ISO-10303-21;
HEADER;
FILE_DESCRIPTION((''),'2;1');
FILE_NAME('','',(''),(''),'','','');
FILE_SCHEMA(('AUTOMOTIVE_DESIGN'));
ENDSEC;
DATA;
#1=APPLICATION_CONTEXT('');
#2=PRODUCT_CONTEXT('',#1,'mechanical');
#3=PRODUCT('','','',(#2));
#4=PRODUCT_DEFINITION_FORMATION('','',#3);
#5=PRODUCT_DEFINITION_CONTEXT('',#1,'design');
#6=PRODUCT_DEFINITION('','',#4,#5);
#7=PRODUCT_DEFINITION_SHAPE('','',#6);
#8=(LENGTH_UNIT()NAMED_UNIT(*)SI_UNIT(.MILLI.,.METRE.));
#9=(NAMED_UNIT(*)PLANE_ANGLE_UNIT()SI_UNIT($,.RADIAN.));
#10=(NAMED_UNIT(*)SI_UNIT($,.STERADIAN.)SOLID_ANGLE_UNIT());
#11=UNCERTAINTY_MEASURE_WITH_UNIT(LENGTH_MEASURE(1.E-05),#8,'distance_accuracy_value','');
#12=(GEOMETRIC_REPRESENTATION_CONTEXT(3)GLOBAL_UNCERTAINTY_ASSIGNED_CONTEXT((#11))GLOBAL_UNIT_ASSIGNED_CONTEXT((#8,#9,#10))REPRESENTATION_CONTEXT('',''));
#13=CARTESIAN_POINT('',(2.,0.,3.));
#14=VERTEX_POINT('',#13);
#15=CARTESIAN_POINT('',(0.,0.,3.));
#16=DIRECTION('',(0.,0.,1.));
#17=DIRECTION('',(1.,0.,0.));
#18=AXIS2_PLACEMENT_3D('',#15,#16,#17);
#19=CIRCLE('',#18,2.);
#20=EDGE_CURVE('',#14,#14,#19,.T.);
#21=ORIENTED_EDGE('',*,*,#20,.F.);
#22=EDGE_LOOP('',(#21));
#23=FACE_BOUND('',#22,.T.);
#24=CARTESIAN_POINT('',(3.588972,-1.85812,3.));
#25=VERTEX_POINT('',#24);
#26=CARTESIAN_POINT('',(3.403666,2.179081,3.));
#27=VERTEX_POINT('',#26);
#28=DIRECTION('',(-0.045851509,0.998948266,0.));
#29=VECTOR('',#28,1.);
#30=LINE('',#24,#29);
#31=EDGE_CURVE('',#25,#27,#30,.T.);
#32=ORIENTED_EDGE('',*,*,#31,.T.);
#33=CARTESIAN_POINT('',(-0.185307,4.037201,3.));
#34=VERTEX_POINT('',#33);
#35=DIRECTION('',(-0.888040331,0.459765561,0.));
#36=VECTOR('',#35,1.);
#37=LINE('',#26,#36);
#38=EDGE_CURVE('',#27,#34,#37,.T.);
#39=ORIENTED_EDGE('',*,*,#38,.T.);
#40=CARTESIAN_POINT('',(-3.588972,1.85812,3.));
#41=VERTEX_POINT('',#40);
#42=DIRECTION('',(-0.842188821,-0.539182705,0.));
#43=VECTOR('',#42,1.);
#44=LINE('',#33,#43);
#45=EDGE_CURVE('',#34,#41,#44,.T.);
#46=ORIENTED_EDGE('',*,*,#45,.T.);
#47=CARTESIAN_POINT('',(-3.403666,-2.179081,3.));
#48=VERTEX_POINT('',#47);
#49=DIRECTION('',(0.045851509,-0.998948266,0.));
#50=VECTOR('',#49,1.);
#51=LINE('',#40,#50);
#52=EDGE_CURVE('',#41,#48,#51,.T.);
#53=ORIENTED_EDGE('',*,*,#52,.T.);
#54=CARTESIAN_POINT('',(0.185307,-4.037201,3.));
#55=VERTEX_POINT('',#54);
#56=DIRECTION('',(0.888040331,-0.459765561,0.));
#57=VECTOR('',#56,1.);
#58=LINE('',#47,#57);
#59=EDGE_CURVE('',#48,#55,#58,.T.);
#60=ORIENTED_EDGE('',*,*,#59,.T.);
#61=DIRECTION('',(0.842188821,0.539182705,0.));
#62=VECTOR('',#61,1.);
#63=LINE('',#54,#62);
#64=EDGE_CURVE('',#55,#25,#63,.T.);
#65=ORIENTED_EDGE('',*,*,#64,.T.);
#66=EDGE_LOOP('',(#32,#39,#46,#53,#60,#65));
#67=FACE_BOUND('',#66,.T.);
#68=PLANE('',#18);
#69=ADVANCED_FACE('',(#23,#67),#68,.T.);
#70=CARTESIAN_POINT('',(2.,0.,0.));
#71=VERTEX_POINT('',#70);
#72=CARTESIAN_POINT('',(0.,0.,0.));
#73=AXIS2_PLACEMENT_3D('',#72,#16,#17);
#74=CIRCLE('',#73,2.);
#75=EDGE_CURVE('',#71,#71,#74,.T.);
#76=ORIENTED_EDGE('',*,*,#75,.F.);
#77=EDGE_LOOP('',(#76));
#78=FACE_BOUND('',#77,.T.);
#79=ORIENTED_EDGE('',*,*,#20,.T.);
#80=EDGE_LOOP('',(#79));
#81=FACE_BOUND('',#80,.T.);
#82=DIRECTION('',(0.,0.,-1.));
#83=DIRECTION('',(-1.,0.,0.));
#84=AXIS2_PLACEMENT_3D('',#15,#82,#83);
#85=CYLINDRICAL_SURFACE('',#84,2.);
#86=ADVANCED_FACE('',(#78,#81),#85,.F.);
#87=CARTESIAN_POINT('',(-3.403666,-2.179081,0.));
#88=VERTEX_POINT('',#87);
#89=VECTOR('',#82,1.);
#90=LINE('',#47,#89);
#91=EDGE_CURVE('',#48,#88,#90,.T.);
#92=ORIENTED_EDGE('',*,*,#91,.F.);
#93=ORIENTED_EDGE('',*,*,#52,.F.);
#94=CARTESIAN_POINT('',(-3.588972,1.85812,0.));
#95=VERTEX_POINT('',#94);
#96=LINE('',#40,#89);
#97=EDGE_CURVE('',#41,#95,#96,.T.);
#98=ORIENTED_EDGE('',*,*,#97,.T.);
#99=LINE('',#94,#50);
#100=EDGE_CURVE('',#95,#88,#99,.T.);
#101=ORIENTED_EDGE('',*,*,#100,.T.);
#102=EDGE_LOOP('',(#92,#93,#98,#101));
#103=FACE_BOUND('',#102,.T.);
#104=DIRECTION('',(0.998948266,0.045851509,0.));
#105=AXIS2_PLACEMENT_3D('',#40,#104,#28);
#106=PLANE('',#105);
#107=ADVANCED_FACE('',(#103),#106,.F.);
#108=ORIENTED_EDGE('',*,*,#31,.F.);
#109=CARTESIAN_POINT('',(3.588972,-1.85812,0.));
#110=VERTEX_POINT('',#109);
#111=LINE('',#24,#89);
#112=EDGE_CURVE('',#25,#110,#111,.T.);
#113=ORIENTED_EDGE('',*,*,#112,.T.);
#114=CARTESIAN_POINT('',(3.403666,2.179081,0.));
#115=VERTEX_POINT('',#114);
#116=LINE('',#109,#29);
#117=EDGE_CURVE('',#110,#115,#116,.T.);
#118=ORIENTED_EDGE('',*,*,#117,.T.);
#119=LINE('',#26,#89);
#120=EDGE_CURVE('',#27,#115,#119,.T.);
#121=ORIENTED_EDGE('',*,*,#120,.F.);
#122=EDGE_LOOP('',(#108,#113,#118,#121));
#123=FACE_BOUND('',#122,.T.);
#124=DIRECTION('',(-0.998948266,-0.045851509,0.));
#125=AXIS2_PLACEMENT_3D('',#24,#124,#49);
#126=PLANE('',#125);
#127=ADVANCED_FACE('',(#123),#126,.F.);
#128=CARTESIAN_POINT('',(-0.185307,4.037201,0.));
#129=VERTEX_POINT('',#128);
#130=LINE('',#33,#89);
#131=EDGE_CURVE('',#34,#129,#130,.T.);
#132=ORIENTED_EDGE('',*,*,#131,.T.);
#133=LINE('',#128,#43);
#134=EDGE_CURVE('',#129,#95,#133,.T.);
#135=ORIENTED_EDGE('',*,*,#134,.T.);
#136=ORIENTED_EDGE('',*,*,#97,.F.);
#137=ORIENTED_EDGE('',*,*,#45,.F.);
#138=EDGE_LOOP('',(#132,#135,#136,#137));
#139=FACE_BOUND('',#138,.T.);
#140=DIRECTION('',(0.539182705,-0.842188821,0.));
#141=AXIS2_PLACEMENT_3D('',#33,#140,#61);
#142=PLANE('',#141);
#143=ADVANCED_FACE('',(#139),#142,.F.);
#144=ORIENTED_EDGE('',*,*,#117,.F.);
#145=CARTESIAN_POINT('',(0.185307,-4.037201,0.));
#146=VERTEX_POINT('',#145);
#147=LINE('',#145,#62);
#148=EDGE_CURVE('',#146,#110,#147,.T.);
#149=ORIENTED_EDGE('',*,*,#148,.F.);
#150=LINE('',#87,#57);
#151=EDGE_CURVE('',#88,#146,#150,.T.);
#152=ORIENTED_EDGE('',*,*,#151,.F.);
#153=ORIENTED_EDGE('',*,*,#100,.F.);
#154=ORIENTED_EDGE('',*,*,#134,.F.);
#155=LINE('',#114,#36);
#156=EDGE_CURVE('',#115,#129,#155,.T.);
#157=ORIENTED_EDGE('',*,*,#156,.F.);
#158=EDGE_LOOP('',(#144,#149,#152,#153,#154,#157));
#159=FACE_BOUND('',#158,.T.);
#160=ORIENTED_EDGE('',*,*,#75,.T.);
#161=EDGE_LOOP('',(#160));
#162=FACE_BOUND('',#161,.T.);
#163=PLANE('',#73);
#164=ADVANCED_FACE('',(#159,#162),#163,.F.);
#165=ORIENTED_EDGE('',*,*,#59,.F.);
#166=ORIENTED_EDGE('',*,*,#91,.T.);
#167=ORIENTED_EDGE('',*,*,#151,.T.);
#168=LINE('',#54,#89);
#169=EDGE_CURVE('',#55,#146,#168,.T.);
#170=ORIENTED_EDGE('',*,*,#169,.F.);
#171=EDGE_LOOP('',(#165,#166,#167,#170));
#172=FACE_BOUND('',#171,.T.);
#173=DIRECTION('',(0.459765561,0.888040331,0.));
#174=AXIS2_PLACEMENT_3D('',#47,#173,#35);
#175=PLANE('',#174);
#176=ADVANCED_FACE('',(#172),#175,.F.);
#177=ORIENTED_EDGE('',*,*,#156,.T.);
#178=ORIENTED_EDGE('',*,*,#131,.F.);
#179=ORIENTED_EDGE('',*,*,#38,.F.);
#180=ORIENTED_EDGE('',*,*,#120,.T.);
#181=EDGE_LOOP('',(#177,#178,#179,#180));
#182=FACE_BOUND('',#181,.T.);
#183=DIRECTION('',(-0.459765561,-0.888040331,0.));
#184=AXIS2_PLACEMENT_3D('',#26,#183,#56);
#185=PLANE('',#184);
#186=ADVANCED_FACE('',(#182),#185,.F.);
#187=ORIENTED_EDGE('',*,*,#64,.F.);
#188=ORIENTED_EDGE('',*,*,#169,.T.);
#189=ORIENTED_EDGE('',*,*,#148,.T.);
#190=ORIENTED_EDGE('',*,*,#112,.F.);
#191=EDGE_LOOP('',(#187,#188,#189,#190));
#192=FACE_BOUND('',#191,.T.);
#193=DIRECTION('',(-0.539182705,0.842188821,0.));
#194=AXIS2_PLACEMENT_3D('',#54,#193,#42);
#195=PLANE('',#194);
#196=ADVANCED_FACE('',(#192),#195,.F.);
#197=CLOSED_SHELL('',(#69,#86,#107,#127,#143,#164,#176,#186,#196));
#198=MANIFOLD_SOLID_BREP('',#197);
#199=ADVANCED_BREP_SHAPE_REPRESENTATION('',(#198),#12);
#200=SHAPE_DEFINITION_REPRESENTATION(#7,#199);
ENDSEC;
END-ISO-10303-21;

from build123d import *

# Parameters (mm, degrees)
SKETCH_1_R      = 2
EXTRUDE_1_DEPTH = 3


with BuildPart() as part:
    # 草图1 → 凸台-拉伸1 (new body)
    with BuildSketch(Plane.XY):
        Polygon((3.588972267, -1.858120394), (3.403665598, 2.17908096), (-0.185306669, 4.037201354), (-3.588972267, 1.858120394), (-3.403665598, -2.17908096), (0.185306669, -4.037201354), align=None)
        Circle(SKETCH_1_R, mode=Mode.SUBTRACT)
    extrude(amount=EXTRUDE_1_DEPTH)


solid = part.part
